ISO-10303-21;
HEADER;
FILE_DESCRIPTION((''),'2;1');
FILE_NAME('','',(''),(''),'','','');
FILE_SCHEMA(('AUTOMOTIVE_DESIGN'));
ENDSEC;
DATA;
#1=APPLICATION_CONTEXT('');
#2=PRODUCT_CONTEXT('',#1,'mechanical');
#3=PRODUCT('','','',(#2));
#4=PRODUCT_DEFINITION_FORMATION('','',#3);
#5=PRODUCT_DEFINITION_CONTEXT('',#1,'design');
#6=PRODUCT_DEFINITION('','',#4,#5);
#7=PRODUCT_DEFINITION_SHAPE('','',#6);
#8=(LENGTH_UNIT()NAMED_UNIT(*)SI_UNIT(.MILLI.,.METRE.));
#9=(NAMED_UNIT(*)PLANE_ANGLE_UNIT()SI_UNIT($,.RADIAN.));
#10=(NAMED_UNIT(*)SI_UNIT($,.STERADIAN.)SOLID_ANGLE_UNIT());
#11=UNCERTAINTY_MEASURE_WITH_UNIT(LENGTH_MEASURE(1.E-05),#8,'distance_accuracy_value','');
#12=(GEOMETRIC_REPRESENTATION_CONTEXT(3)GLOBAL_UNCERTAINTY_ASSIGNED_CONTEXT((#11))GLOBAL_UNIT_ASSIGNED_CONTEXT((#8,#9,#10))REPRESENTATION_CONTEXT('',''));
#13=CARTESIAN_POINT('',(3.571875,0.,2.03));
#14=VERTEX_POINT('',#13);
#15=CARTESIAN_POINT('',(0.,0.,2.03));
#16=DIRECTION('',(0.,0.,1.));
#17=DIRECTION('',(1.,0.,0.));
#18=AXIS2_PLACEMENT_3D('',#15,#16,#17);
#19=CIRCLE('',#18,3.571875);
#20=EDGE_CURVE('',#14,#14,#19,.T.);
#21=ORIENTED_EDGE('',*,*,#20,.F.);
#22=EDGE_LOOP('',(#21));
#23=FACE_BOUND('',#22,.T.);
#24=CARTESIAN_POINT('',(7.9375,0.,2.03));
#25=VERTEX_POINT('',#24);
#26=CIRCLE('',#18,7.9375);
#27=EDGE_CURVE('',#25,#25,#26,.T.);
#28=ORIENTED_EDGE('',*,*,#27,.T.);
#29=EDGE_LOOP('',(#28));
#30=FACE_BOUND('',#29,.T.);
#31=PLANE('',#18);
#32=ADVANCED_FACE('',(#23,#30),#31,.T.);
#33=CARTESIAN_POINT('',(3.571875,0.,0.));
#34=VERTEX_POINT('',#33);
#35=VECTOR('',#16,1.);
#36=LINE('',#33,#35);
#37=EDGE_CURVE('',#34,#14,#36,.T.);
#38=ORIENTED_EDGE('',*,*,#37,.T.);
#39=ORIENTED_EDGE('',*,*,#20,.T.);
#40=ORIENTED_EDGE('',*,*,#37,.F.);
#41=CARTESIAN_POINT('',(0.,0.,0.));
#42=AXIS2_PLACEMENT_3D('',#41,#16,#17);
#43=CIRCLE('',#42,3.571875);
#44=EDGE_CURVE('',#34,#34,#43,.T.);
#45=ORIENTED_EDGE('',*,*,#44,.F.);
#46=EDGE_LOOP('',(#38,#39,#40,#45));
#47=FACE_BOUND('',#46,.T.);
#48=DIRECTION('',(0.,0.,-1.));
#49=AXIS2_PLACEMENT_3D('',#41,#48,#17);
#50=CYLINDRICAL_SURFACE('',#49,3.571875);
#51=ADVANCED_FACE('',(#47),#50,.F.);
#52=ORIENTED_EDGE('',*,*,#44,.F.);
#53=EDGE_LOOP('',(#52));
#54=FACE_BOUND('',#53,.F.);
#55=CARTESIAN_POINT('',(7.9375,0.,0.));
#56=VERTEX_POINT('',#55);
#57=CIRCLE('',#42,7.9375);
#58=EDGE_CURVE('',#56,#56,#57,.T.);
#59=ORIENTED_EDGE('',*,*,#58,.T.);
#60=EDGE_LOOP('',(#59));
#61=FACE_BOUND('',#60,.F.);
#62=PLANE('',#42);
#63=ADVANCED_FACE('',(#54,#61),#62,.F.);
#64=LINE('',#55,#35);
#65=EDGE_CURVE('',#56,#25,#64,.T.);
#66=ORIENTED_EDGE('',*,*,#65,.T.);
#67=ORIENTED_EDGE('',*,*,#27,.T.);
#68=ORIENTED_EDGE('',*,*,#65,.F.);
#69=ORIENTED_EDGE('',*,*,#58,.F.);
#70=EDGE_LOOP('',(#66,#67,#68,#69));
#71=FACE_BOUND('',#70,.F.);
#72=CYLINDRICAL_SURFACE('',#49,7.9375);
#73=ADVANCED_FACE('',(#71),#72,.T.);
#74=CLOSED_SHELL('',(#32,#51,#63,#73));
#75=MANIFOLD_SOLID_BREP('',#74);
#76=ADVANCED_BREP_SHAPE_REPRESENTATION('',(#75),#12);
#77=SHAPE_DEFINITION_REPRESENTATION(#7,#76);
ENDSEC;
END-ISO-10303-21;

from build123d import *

# Parameters (mm, degrees)
SKETCH_R   = 7.9375
SKETCH_R_2 = 3.571875
PAD_DEPTH  = 2.03


with BuildPart() as part:
    # Sketch → Pad (new body)
    with BuildSketch(Plane.XY):
        Circle(SKETCH_R)
        Circle(SKETCH_R_2, mode=Mode.SUBTRACT)
    extrude(amount=PAD_DEPTH)


solid = part.part
